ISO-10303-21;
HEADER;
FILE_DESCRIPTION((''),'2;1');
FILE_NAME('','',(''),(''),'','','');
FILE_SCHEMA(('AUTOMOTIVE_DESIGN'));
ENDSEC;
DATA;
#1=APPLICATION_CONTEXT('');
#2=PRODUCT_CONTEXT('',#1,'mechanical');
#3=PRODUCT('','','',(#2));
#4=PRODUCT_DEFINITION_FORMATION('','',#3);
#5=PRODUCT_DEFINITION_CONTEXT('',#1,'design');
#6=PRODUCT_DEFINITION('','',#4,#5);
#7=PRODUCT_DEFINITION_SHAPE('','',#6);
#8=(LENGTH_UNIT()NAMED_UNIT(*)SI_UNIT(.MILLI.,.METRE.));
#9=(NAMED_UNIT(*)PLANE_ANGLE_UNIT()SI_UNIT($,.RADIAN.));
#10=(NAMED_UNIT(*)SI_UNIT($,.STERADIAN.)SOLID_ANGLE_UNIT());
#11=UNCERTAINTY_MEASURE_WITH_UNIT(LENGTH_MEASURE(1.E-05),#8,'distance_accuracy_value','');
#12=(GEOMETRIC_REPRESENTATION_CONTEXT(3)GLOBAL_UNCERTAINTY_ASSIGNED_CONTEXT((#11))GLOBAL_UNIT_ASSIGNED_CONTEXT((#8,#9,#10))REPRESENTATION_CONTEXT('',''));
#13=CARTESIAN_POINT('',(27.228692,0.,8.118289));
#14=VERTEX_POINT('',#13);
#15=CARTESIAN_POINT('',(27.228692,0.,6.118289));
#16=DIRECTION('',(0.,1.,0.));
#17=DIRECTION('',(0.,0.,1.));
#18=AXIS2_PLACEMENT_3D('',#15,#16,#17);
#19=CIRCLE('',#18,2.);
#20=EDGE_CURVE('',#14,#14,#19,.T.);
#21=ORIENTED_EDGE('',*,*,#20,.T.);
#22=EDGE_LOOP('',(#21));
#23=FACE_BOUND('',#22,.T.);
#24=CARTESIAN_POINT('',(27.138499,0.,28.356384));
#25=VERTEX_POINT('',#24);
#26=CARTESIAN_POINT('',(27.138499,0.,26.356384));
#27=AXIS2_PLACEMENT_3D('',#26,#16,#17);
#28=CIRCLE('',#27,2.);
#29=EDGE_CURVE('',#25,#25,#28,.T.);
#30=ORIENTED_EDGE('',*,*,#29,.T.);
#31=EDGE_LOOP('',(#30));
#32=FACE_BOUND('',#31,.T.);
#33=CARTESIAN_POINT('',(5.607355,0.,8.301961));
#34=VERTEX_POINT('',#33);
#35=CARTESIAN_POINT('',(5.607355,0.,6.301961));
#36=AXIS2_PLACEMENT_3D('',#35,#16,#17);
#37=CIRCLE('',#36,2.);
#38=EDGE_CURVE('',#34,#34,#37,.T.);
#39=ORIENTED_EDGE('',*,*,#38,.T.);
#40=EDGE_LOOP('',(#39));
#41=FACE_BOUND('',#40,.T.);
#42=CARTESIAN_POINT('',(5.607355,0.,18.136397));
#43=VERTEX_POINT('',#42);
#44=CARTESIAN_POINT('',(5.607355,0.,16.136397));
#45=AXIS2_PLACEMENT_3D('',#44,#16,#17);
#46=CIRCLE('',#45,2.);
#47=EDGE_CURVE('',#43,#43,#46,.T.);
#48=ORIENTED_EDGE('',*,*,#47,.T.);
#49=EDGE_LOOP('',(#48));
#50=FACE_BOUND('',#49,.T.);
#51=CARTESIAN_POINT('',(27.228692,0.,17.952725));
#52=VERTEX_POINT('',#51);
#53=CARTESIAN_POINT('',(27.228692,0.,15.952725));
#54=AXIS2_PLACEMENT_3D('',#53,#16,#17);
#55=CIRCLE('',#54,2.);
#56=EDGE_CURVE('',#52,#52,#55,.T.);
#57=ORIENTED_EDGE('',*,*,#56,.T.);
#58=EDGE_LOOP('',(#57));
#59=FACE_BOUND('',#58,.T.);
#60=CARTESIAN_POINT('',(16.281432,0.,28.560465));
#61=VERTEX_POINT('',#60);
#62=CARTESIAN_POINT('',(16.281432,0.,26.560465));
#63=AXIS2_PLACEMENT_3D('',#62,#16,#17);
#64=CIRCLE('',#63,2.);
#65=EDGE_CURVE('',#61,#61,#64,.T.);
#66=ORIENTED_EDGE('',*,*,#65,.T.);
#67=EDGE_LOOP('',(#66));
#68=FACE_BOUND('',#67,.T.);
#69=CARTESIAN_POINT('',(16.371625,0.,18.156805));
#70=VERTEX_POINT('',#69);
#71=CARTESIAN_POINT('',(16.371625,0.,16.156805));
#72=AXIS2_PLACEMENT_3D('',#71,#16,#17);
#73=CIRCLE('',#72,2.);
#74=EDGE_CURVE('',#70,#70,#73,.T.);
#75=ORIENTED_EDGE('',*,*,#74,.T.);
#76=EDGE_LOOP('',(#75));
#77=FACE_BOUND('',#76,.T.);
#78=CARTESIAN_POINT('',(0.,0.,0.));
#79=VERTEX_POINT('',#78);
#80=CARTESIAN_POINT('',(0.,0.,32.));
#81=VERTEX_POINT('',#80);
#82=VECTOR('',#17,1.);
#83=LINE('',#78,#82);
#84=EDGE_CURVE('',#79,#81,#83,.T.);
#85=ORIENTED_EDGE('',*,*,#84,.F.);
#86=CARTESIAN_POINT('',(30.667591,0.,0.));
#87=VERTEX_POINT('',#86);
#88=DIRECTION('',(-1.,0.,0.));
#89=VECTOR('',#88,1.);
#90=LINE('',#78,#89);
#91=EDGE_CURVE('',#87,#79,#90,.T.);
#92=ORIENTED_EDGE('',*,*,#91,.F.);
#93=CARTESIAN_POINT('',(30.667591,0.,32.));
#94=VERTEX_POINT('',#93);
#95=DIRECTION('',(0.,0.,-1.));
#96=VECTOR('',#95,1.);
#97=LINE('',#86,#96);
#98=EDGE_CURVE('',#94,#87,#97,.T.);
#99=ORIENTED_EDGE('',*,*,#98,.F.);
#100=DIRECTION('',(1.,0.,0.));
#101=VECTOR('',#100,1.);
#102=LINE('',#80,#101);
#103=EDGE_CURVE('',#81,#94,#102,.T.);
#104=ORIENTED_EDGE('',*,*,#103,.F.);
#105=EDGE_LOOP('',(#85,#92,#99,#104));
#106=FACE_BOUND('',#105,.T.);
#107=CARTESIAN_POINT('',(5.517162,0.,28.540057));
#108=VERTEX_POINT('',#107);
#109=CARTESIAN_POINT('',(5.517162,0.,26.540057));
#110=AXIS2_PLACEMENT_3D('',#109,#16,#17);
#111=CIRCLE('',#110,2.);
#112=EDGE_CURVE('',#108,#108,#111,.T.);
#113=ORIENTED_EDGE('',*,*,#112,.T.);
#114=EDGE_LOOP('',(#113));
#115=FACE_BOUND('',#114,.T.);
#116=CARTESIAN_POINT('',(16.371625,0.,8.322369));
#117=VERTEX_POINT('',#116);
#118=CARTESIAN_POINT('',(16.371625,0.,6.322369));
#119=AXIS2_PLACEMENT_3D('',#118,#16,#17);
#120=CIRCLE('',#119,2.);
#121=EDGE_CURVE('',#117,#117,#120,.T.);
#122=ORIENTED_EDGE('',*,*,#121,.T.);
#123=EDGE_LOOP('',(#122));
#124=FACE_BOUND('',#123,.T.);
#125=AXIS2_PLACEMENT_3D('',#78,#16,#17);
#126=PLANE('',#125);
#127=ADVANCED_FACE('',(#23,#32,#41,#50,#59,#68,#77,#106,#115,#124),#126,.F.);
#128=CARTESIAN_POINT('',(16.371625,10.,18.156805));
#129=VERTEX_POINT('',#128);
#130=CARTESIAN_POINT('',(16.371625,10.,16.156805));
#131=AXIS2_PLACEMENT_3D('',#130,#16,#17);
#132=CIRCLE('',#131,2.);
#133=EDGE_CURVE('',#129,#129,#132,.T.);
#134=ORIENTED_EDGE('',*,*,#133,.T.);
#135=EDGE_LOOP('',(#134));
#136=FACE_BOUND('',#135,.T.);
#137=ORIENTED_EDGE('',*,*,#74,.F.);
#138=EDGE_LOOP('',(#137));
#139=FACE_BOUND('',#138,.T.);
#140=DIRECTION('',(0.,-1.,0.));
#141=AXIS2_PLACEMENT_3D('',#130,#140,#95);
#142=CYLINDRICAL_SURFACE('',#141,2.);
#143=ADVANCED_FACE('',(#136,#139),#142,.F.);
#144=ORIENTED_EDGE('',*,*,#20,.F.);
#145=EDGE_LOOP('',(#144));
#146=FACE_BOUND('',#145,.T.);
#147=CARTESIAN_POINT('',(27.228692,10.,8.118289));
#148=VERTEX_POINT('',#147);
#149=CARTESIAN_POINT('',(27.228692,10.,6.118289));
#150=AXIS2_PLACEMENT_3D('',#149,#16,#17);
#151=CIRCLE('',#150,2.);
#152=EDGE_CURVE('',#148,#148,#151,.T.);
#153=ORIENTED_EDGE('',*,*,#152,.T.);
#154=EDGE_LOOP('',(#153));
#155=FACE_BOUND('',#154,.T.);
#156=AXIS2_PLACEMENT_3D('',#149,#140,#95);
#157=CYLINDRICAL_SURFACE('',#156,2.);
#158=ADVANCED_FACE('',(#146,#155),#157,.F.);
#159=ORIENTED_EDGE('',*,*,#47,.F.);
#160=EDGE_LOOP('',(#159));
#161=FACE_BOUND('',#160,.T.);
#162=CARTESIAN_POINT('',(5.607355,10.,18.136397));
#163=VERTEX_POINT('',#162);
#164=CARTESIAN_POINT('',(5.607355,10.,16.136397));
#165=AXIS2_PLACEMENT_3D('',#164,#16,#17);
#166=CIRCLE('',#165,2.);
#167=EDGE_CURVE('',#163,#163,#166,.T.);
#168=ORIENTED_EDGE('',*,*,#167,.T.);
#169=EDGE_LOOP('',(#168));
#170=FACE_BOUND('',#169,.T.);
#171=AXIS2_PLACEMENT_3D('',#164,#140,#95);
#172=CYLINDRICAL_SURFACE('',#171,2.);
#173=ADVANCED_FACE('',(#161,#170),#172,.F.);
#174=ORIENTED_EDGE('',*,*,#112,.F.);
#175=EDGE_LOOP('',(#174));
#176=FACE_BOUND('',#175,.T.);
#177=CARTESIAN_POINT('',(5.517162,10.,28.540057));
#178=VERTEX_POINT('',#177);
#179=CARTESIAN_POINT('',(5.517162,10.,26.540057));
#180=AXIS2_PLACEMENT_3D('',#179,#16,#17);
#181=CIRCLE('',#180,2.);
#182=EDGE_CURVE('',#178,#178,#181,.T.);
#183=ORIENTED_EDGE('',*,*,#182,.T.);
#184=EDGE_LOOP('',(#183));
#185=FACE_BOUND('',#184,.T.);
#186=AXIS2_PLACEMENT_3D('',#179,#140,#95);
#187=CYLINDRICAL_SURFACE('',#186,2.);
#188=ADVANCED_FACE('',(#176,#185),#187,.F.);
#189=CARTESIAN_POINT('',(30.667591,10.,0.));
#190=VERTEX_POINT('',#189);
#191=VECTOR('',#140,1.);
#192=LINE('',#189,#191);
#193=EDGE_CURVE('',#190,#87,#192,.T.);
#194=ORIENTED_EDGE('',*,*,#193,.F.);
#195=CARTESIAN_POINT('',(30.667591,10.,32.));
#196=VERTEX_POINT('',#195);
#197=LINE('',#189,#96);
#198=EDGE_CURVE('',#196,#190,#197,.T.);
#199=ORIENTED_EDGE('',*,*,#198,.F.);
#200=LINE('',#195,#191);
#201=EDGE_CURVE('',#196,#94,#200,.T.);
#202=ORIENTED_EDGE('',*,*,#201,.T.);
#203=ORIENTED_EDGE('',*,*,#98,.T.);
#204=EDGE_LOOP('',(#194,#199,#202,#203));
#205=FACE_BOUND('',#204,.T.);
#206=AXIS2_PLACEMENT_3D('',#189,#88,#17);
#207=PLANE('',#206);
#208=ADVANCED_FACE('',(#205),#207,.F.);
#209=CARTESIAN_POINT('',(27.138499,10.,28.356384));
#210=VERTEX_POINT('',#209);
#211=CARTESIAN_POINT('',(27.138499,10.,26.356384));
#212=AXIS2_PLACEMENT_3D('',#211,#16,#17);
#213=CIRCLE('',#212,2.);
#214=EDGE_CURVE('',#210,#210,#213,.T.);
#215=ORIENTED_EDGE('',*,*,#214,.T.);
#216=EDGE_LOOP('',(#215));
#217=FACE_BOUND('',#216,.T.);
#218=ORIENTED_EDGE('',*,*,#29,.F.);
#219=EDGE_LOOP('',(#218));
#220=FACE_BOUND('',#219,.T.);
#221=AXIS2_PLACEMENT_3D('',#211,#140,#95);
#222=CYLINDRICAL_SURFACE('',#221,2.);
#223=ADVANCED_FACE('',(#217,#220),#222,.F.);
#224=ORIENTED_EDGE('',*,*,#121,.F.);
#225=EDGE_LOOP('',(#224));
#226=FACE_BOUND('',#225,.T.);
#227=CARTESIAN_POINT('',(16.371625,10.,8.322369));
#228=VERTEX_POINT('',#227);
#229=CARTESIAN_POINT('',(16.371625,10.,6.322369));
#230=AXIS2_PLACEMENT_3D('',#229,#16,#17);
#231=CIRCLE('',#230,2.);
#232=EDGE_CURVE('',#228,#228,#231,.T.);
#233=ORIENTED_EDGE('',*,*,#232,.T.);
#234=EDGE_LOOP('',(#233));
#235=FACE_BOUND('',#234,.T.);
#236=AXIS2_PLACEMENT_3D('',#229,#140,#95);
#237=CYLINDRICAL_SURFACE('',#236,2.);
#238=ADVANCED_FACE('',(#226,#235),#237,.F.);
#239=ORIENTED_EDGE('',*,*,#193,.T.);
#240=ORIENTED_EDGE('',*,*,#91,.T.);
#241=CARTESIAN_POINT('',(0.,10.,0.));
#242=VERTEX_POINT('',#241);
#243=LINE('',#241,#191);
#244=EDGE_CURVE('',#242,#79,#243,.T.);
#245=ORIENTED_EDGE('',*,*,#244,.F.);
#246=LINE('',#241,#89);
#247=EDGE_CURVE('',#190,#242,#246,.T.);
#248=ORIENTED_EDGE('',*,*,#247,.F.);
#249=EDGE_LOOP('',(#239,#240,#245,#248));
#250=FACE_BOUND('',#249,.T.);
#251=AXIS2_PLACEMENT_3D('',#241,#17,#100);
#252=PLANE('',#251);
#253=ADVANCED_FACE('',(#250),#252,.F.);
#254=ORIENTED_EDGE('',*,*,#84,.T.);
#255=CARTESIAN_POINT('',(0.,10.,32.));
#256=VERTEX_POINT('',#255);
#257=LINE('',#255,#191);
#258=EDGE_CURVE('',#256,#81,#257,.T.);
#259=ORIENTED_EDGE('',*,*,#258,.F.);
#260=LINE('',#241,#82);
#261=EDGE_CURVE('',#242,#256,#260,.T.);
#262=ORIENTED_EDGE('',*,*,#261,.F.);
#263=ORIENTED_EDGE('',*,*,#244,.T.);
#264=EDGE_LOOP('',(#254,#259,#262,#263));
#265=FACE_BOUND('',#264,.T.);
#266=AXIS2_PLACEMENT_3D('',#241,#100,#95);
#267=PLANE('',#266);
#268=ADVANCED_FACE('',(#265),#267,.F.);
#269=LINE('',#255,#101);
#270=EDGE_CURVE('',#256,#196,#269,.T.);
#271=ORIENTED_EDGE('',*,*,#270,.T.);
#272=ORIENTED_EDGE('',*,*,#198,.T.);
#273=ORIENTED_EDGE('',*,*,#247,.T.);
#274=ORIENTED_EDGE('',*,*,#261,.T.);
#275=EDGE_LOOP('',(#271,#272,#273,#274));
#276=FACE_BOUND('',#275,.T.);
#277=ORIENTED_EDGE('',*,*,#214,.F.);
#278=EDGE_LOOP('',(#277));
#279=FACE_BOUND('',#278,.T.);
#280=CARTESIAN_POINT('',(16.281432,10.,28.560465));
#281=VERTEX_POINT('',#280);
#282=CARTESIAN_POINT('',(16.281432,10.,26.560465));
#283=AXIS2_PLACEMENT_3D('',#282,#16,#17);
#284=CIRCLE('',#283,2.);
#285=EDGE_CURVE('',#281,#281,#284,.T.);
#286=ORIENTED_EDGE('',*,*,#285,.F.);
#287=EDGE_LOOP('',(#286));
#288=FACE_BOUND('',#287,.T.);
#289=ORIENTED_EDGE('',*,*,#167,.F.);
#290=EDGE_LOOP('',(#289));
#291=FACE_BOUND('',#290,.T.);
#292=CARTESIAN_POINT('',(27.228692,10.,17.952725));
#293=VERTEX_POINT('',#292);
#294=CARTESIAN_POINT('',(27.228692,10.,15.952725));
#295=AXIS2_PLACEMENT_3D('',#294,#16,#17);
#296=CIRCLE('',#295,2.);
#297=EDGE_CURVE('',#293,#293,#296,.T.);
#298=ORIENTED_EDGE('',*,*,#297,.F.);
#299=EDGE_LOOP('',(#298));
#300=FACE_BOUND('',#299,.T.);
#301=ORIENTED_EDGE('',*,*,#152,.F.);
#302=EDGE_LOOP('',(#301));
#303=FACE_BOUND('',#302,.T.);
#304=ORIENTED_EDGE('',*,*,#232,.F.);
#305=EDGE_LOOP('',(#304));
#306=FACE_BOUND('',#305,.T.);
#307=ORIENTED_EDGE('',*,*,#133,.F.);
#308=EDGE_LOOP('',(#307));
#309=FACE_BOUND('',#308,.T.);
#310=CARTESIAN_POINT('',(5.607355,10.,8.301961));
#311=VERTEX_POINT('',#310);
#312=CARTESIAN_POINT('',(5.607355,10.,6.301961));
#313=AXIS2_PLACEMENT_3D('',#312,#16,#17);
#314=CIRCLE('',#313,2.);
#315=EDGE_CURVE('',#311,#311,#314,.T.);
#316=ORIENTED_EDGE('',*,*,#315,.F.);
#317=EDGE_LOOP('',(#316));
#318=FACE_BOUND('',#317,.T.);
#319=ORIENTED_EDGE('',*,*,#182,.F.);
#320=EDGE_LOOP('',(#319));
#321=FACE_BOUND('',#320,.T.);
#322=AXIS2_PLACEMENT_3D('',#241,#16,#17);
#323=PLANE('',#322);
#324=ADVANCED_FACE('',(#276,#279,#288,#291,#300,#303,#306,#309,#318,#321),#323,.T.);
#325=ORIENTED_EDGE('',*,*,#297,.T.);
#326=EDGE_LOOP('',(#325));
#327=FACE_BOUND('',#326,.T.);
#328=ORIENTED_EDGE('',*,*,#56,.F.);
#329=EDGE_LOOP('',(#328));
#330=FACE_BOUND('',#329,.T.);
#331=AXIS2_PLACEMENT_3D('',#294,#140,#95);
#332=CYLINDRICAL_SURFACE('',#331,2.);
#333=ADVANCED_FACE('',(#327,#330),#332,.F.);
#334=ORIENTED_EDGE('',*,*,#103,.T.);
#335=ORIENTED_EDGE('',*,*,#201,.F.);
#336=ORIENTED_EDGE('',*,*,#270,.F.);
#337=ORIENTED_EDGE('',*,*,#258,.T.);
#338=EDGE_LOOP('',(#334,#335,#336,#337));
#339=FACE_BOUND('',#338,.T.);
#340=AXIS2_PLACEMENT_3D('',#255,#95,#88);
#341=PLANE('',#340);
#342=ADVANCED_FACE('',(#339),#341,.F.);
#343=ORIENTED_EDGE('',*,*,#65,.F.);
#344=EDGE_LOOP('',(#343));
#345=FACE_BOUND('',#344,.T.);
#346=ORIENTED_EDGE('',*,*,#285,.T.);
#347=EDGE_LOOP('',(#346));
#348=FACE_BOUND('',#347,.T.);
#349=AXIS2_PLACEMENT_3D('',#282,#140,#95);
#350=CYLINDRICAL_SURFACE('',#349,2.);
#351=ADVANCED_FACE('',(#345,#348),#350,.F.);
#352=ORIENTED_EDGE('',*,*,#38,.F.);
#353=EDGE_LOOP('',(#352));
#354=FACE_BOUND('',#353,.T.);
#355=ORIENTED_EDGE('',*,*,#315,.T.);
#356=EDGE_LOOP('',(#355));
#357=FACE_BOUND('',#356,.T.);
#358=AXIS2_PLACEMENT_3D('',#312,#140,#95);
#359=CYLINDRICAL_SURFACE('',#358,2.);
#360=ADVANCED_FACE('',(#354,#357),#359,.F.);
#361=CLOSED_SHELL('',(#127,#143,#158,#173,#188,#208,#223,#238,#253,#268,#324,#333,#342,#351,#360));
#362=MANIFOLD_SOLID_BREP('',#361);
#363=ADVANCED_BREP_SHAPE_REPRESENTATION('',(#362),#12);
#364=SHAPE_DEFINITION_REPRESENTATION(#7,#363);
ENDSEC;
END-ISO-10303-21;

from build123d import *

# Parameters (mm, degrees)
SKETCH1_W           = 30.667590512
SKETCH1_H           = 32
SKETCH1_R           = 2
BOSS_EXTRUDE1_DEPTH = 10


with BuildPart() as part:
    # Sketch1 → Boss-Extrude1 (new body)
    with BuildSketch(Plane(origin=(0, 0, 0), x_dir=(1, 0, 0), z_dir=(0, 1, 0))):
        with Locations((15.333795256, -16)):
            Rectangle(SKETCH1_W, SKETCH1_H)
        with Locations(Location((5.60735534, -6.301960844, 0), (0, 0, 270))):
            Circle(SKETCH1_R, mode=Mode.SUBTRACT)
        with Locations(Location((5.60735534, -16.136396974, 0), (0, 0, 270))):
            Circle(SKETCH1_R, mode=Mode.SUBTRACT)
        with Locations(Location((5.517162454, -26.540056621, 0), (0, 0, 270))):
            Circle(SKETCH1_R, mode=Mode.SUBTRACT)
        with Locations(Location((16.371624777, -6.322368865, 0), (0, 0, 270))):
            Circle(SKETCH1_R, mode=Mode.SUBTRACT)
        with Locations(Location((16.371624777, -16.156804995, 0), (0, 0, 270))):
            Circle(SKETCH1_R, mode=Mode.SUBTRACT)
        with Locations(Location((16.281431892, -26.560464642, 0), (0, 0, 270))):
            Circle(SKETCH1_R, mode=Mode.SUBTRACT)
        with Locations(Location((27.228691902, -6.118288656, 0), (0, 0, 270))):
            Circle(SKETCH1_R, mode=Mode.SUBTRACT)
        with Locations(Location((27.228691902, -15.952724786, 0), (0, 0, 270))):
            Circle(SKETCH1_R, mode=Mode.SUBTRACT)
        with Locations(Location((27.138499016, -26.356384433, 0), (0, 0, 270))):
            Circle(SKETCH1_R, mode=Mode.SUBTRACT)
    extrude(amount=BOSS_EXTRUDE1_DEPTH)


solid = part.part
